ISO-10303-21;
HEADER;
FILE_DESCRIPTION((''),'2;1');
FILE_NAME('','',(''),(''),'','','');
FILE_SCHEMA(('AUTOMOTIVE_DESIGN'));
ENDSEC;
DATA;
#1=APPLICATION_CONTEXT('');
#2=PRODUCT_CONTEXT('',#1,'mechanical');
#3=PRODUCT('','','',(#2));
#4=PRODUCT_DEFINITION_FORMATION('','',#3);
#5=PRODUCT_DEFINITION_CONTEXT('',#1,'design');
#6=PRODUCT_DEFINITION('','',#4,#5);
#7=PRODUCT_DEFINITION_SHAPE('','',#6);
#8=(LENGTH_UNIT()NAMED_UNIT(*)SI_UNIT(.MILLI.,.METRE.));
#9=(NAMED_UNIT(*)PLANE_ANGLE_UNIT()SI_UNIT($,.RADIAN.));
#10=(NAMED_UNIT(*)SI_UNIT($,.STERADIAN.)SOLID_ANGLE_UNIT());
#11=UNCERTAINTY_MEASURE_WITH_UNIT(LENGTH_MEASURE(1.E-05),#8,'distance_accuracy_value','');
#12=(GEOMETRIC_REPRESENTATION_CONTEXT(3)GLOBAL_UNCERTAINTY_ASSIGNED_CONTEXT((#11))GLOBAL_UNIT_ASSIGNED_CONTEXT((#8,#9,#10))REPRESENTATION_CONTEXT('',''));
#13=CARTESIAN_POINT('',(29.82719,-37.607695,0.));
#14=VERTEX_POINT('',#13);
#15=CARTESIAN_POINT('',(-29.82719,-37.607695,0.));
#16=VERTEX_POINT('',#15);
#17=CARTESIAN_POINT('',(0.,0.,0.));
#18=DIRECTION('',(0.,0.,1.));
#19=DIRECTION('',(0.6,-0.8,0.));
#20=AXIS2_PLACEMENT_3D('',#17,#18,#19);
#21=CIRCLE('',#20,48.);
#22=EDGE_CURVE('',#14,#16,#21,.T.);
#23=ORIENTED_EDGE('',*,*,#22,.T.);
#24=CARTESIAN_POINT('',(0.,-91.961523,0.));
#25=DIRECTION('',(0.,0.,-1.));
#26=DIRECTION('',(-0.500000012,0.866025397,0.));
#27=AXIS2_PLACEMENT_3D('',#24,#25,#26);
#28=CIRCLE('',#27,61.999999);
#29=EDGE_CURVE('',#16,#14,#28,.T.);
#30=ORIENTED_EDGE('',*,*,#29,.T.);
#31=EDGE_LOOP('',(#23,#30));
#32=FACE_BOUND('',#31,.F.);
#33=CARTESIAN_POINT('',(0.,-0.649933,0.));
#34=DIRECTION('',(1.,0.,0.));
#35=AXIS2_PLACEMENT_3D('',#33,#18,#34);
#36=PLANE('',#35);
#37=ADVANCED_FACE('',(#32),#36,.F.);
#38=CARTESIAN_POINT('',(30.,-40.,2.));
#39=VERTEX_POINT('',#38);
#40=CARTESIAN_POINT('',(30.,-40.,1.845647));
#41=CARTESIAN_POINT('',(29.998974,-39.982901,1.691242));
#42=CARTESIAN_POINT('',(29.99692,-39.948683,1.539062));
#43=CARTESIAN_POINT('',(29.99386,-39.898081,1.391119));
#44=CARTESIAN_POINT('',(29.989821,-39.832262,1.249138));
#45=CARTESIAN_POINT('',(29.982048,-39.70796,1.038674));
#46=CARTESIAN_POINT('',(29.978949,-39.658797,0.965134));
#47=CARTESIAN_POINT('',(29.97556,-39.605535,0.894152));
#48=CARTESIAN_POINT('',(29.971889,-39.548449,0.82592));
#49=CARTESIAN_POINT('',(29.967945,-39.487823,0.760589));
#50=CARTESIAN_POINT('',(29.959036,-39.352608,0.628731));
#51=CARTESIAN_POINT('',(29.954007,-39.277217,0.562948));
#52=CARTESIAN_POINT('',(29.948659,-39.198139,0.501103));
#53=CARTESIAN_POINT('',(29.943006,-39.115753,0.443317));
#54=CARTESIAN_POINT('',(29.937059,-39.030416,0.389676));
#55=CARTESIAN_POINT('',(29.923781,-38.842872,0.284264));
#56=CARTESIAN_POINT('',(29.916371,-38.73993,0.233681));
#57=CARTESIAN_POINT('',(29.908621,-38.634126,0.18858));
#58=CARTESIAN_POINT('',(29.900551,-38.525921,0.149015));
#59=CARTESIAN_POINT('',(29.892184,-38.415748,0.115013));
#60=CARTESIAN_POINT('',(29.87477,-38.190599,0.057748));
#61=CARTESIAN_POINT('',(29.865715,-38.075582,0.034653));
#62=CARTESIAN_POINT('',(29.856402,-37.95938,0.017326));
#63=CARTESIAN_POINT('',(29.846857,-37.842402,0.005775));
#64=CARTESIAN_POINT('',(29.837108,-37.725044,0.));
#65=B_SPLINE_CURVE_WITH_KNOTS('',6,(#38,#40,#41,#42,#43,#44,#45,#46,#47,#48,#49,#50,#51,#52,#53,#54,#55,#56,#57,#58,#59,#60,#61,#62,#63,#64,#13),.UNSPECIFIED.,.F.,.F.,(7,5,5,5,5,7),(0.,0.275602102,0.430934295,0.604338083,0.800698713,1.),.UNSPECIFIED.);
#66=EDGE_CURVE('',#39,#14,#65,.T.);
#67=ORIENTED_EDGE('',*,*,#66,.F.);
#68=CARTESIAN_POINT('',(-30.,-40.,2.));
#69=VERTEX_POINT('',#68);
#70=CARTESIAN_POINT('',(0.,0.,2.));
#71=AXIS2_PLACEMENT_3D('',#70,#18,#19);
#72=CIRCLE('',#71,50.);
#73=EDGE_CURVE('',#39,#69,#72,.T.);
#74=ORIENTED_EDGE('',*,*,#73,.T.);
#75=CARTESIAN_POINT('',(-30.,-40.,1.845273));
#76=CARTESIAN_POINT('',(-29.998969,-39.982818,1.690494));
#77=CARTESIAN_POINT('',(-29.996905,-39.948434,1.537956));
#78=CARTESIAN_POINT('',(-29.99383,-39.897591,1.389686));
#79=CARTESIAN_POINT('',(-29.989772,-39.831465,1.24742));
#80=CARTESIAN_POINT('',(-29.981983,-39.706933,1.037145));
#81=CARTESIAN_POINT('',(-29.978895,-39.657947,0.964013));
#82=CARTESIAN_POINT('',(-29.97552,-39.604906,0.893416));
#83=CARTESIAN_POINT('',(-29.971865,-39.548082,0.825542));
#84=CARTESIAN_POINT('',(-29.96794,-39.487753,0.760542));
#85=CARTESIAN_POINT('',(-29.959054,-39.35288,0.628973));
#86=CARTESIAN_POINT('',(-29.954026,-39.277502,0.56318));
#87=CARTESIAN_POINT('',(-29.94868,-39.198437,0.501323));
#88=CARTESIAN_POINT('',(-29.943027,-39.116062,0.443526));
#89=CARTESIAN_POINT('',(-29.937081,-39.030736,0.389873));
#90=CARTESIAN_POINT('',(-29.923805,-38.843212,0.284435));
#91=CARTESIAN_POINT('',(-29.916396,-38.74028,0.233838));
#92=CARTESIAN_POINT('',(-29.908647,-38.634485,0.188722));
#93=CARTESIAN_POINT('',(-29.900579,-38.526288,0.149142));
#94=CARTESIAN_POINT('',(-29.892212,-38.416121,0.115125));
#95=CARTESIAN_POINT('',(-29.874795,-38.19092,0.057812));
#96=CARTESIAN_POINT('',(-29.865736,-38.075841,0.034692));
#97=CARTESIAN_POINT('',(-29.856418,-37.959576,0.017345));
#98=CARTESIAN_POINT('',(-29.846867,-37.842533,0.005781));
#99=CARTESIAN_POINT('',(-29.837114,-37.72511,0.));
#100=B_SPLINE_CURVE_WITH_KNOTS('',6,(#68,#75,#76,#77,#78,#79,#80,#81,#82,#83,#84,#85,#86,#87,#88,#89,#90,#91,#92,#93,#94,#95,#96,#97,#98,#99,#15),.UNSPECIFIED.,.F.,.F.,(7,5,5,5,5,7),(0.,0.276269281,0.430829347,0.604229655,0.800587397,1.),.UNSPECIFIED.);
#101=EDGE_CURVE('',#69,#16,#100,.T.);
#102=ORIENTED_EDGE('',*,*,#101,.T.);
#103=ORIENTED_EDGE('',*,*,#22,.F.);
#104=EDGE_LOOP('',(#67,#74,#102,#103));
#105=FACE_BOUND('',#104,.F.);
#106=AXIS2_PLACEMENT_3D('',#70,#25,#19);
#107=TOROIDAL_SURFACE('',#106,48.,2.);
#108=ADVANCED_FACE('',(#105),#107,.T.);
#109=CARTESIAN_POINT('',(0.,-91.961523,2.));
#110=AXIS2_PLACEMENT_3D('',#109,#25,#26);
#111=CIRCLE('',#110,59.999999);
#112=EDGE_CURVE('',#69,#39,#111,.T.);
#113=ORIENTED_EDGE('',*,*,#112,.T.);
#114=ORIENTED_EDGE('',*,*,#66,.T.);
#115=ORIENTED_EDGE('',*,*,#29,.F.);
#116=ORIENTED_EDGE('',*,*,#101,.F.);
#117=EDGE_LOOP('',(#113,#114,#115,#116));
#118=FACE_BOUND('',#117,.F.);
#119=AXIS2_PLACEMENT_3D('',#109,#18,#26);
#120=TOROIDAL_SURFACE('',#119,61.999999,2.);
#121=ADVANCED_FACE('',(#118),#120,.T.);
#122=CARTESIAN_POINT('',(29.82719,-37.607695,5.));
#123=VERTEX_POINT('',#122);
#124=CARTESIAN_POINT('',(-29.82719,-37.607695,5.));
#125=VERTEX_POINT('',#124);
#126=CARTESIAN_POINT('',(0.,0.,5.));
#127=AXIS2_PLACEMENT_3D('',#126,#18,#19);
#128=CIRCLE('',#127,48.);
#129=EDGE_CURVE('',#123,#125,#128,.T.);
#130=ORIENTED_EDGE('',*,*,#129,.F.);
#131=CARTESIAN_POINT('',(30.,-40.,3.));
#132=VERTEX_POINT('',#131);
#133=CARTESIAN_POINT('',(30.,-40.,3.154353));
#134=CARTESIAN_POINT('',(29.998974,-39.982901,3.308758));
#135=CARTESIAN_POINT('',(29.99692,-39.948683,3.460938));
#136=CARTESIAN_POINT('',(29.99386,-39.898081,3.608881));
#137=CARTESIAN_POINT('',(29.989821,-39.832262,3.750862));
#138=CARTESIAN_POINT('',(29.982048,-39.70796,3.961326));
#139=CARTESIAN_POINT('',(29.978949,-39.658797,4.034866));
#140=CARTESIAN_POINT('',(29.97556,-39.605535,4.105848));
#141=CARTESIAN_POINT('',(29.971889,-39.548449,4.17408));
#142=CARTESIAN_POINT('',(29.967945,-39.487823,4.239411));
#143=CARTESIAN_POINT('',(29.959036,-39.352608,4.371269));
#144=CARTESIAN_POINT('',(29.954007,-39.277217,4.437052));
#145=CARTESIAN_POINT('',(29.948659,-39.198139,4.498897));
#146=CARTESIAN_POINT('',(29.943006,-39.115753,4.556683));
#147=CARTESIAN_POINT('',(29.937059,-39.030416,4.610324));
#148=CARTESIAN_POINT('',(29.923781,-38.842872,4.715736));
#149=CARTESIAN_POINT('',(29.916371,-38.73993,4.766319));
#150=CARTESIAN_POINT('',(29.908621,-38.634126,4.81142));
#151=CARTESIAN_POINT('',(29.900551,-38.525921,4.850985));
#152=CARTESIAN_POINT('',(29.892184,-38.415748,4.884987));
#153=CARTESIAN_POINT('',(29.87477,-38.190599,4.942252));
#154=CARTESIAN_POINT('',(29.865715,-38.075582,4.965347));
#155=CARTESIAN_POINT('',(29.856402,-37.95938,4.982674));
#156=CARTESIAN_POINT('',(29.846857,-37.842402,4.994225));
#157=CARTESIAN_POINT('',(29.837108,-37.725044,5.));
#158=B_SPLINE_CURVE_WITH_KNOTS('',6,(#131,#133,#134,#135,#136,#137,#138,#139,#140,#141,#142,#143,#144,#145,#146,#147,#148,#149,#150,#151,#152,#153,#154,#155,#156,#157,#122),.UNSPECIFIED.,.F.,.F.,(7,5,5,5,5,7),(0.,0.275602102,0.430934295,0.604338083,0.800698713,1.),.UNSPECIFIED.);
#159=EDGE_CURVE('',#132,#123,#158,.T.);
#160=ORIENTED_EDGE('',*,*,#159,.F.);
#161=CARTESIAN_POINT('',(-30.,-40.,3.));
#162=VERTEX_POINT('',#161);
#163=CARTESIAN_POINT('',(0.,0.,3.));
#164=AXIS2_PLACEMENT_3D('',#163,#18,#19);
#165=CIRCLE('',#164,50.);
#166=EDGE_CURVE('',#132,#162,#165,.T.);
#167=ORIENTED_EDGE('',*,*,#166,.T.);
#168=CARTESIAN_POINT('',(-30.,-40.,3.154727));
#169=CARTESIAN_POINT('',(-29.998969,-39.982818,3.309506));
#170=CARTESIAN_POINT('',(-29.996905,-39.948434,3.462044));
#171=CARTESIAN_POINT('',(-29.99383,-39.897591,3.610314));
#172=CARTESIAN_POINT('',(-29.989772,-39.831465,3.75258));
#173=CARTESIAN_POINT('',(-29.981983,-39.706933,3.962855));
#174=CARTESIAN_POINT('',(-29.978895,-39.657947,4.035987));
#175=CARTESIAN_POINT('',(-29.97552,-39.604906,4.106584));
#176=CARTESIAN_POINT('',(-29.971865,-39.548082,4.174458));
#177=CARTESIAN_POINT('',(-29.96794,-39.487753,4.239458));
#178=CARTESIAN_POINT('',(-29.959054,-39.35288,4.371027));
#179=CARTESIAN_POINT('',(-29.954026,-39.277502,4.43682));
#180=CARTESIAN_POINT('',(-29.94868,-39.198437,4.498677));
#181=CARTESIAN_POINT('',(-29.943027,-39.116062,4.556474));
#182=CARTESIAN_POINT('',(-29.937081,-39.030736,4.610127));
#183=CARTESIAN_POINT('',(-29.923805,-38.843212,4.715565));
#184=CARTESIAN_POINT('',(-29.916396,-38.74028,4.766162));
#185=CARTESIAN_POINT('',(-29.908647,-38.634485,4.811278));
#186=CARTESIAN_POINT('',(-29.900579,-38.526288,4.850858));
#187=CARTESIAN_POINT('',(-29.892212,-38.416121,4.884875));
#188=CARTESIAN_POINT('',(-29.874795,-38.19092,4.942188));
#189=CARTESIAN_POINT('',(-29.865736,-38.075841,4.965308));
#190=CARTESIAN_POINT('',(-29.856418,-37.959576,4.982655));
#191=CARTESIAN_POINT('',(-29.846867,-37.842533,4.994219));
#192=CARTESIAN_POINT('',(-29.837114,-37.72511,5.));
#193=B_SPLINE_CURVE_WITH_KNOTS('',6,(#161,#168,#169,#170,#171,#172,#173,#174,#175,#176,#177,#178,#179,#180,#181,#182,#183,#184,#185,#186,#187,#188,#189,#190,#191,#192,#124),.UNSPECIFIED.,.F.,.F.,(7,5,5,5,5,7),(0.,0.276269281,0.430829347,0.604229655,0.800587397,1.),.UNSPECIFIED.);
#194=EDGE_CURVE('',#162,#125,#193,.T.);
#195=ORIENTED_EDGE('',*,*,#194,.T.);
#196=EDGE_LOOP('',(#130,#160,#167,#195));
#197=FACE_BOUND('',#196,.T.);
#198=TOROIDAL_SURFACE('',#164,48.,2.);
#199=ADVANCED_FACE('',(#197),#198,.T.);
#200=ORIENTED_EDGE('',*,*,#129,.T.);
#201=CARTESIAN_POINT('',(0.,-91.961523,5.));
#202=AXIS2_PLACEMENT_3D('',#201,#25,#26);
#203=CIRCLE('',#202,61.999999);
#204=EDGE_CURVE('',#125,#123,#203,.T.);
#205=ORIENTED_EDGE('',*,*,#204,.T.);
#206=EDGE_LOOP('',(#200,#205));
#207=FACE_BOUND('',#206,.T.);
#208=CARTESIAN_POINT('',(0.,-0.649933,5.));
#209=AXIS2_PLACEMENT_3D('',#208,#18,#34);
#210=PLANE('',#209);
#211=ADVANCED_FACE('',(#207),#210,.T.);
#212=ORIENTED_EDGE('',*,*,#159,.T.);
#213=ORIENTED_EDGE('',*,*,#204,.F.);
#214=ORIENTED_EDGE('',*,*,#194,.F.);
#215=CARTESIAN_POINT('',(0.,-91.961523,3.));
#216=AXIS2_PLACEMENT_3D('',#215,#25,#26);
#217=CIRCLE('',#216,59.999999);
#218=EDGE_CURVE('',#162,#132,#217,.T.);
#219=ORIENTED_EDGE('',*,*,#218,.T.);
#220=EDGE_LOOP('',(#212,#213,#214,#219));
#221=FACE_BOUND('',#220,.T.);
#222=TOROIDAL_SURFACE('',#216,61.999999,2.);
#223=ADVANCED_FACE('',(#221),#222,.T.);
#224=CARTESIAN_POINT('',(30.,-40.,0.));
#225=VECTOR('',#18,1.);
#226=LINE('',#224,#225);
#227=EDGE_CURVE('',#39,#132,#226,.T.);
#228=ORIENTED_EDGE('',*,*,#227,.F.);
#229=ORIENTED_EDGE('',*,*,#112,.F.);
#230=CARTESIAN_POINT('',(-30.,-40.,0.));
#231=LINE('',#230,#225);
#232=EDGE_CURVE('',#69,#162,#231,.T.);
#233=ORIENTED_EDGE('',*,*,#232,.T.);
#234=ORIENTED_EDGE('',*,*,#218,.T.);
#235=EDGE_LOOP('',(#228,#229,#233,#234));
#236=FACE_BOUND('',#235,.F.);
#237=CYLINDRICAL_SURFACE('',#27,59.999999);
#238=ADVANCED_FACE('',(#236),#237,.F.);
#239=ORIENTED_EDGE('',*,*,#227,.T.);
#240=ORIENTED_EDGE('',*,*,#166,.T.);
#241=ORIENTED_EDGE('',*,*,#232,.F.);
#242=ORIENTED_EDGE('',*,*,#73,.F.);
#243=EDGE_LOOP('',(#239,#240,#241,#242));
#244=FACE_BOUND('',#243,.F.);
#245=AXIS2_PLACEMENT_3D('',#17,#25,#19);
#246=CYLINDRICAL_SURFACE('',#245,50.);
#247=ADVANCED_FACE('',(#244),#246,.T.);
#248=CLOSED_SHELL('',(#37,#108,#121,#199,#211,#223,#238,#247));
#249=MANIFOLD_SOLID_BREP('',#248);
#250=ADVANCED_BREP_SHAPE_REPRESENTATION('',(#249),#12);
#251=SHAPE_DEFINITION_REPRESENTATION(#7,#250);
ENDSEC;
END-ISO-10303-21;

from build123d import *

# Parameters (mm, degrees)
F1_DEPTH = 5
F2_R     = 2


with BuildPart() as f1:
    # F0 (on Top) → F1 (new body)
    with BuildSketch(Plane.XY):
        with BuildLine():
            ThreePointArc((-30, -40), (0, -31.961524), (30, -40))
            ThreePointArc((30, -40), (0, 50), (-30, -40))
        make_face()
    extrude(amount=F1_DEPTH)

    # F2
    f2_edges = [f1.edges().sort_by_distance(p)[0] for p in [
        (0, -31.961524, 5),
        (0, 50, 5),
        (0, -31.961524, 0),
        (0, 50, 0),
    ]]
    fillet(f2_edges, radius=F2_R)


solid = f1.part
